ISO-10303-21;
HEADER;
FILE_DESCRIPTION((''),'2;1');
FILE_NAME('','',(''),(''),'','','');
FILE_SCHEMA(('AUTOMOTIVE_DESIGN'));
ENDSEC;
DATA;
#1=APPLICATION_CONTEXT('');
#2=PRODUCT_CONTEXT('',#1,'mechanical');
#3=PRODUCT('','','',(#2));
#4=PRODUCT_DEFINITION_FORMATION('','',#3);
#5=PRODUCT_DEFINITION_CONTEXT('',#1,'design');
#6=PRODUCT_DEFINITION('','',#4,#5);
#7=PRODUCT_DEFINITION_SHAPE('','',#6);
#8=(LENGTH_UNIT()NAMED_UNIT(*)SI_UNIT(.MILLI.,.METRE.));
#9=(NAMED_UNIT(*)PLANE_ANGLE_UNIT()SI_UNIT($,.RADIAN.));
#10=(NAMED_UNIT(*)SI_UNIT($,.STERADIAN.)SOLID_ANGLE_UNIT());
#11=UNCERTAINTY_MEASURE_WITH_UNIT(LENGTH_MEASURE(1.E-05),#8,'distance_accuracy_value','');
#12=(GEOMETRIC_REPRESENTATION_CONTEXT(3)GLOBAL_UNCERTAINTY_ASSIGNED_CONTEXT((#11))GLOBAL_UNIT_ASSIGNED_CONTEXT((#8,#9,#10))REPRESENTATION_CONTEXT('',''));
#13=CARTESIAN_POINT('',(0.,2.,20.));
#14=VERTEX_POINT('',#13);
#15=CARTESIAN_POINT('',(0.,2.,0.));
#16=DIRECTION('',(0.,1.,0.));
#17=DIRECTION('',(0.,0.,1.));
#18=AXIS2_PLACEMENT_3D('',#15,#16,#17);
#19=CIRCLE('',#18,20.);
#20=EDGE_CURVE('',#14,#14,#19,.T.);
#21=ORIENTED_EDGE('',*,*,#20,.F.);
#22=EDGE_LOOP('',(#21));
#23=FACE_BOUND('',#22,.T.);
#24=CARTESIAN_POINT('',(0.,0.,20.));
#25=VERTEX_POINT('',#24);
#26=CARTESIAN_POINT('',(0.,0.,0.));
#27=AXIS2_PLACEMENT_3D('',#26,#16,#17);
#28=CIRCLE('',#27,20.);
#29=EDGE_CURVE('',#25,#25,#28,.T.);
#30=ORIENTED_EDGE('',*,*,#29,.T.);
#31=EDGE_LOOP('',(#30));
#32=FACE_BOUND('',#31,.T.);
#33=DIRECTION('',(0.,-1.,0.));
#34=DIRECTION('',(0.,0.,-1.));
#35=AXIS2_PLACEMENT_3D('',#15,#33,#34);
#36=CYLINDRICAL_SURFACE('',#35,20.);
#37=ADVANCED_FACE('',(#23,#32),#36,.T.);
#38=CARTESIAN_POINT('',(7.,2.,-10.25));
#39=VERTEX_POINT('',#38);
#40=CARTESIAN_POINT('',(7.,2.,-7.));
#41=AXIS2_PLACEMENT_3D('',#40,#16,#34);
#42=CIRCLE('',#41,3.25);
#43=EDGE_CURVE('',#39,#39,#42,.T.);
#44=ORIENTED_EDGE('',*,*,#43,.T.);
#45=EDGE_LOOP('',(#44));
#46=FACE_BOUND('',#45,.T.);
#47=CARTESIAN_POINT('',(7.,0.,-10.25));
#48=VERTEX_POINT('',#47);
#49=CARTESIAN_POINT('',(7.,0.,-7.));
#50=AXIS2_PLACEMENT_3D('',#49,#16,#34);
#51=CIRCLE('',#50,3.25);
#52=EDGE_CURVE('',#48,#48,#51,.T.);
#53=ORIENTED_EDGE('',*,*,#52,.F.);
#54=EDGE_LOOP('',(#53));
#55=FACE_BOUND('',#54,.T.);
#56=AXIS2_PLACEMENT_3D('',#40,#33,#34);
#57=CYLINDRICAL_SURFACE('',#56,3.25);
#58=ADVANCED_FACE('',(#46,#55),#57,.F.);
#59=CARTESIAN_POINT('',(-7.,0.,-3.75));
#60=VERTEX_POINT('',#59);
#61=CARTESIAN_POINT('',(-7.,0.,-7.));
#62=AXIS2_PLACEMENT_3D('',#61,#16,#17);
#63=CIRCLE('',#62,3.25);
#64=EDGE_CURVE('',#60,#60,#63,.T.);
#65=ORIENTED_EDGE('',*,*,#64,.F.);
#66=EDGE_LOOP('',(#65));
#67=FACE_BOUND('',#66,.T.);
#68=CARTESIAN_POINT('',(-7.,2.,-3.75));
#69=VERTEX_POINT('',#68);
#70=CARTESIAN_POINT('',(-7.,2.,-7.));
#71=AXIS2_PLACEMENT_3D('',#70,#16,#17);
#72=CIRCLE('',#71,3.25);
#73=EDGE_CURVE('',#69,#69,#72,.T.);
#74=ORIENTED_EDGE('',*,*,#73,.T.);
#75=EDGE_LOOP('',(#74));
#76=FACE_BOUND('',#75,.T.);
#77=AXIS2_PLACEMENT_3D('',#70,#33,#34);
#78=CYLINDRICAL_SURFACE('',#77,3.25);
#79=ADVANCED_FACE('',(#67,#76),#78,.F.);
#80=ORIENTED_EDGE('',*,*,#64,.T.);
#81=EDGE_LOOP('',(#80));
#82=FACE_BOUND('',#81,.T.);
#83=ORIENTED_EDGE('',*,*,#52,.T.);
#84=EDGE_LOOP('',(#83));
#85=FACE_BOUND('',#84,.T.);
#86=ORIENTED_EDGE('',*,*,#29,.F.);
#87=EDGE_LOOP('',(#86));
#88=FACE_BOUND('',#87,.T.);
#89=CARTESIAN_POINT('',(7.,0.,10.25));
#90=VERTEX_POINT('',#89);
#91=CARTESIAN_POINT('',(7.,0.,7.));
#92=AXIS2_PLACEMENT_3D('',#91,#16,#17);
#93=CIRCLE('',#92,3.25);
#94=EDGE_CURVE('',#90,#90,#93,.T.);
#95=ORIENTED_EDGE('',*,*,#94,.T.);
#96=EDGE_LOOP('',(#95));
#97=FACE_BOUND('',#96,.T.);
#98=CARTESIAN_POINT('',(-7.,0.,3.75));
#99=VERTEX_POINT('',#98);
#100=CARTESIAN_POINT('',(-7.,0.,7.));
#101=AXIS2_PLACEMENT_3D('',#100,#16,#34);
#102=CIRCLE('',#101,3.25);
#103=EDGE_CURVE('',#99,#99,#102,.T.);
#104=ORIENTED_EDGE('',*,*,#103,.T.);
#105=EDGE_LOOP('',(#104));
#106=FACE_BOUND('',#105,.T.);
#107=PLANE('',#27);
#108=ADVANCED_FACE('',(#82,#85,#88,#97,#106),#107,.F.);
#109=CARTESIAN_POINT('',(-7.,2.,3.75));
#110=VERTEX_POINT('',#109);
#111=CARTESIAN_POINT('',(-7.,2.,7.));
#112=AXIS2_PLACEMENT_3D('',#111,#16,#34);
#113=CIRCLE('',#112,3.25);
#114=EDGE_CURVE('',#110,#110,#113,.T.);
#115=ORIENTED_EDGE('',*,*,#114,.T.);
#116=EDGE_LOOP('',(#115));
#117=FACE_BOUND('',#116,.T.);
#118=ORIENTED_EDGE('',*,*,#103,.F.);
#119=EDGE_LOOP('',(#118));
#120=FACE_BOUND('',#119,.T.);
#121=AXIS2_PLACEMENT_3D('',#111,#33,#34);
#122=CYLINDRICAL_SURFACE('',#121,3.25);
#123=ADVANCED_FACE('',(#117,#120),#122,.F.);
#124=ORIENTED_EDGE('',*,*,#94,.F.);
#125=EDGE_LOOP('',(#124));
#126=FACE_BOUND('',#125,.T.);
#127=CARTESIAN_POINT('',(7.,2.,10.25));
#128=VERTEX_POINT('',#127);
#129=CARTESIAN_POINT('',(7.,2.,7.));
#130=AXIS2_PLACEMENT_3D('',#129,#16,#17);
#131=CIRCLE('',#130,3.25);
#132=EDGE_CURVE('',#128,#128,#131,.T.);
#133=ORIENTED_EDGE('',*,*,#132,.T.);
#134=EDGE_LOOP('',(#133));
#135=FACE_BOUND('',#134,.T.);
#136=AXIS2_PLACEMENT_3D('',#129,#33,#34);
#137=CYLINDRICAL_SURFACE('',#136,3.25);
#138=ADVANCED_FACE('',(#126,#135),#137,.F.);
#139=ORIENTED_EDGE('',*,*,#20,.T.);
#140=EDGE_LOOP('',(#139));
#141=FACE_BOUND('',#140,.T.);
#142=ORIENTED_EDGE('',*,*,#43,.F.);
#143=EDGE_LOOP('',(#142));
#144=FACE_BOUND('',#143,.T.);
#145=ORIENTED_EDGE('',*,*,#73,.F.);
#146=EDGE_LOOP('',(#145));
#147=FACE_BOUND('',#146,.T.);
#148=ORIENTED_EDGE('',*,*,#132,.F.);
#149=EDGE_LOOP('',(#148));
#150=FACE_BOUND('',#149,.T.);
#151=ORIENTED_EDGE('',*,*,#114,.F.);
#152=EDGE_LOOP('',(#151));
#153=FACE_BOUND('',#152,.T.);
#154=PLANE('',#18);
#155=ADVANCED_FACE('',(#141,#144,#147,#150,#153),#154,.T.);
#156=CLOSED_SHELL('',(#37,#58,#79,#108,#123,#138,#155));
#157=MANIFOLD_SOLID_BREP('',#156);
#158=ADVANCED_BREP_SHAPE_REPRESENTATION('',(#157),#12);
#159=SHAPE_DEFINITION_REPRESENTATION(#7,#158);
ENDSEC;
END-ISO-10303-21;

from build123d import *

# Parameters (mm, degrees)
SKETCH1_R           = 20
SKETCH1_R_2         = 3.25
BOSS_EXTRUDE1_DEPTH = 2


with BuildPart() as part:
    # Sketch1 → Boss-Extrude1 (new body)
    with BuildSketch(Plane(origin=(0, 0, 0), x_dir=(1, 0, 0), z_dir=(0, 1, 0))):
        with Locations(Location((0, 0, 0), (0, 0, 270))):
            Circle(SKETCH1_R)
        with Locations(Location((-7, 7, 0), (0, 0, 270))):
            Circle(SKETCH1_R_2, mode=Mode.SUBTRACT)
        with Locations(Location((7, 7, 0), (0, 0, 90))):
            Circle(SKETCH1_R_2, mode=Mode.SUBTRACT)
        with Locations(Location((7, -7, 0), (0, 0, 270))):
            Circle(SKETCH1_R_2, mode=Mode.SUBTRACT)
        with Locations(Location((-7, -7, 0), (0, 0, 90))):
            Circle(SKETCH1_R_2, mode=Mode.SUBTRACT)
    extrude(amount=BOSS_EXTRUDE1_DEPTH)


solid = part.part
